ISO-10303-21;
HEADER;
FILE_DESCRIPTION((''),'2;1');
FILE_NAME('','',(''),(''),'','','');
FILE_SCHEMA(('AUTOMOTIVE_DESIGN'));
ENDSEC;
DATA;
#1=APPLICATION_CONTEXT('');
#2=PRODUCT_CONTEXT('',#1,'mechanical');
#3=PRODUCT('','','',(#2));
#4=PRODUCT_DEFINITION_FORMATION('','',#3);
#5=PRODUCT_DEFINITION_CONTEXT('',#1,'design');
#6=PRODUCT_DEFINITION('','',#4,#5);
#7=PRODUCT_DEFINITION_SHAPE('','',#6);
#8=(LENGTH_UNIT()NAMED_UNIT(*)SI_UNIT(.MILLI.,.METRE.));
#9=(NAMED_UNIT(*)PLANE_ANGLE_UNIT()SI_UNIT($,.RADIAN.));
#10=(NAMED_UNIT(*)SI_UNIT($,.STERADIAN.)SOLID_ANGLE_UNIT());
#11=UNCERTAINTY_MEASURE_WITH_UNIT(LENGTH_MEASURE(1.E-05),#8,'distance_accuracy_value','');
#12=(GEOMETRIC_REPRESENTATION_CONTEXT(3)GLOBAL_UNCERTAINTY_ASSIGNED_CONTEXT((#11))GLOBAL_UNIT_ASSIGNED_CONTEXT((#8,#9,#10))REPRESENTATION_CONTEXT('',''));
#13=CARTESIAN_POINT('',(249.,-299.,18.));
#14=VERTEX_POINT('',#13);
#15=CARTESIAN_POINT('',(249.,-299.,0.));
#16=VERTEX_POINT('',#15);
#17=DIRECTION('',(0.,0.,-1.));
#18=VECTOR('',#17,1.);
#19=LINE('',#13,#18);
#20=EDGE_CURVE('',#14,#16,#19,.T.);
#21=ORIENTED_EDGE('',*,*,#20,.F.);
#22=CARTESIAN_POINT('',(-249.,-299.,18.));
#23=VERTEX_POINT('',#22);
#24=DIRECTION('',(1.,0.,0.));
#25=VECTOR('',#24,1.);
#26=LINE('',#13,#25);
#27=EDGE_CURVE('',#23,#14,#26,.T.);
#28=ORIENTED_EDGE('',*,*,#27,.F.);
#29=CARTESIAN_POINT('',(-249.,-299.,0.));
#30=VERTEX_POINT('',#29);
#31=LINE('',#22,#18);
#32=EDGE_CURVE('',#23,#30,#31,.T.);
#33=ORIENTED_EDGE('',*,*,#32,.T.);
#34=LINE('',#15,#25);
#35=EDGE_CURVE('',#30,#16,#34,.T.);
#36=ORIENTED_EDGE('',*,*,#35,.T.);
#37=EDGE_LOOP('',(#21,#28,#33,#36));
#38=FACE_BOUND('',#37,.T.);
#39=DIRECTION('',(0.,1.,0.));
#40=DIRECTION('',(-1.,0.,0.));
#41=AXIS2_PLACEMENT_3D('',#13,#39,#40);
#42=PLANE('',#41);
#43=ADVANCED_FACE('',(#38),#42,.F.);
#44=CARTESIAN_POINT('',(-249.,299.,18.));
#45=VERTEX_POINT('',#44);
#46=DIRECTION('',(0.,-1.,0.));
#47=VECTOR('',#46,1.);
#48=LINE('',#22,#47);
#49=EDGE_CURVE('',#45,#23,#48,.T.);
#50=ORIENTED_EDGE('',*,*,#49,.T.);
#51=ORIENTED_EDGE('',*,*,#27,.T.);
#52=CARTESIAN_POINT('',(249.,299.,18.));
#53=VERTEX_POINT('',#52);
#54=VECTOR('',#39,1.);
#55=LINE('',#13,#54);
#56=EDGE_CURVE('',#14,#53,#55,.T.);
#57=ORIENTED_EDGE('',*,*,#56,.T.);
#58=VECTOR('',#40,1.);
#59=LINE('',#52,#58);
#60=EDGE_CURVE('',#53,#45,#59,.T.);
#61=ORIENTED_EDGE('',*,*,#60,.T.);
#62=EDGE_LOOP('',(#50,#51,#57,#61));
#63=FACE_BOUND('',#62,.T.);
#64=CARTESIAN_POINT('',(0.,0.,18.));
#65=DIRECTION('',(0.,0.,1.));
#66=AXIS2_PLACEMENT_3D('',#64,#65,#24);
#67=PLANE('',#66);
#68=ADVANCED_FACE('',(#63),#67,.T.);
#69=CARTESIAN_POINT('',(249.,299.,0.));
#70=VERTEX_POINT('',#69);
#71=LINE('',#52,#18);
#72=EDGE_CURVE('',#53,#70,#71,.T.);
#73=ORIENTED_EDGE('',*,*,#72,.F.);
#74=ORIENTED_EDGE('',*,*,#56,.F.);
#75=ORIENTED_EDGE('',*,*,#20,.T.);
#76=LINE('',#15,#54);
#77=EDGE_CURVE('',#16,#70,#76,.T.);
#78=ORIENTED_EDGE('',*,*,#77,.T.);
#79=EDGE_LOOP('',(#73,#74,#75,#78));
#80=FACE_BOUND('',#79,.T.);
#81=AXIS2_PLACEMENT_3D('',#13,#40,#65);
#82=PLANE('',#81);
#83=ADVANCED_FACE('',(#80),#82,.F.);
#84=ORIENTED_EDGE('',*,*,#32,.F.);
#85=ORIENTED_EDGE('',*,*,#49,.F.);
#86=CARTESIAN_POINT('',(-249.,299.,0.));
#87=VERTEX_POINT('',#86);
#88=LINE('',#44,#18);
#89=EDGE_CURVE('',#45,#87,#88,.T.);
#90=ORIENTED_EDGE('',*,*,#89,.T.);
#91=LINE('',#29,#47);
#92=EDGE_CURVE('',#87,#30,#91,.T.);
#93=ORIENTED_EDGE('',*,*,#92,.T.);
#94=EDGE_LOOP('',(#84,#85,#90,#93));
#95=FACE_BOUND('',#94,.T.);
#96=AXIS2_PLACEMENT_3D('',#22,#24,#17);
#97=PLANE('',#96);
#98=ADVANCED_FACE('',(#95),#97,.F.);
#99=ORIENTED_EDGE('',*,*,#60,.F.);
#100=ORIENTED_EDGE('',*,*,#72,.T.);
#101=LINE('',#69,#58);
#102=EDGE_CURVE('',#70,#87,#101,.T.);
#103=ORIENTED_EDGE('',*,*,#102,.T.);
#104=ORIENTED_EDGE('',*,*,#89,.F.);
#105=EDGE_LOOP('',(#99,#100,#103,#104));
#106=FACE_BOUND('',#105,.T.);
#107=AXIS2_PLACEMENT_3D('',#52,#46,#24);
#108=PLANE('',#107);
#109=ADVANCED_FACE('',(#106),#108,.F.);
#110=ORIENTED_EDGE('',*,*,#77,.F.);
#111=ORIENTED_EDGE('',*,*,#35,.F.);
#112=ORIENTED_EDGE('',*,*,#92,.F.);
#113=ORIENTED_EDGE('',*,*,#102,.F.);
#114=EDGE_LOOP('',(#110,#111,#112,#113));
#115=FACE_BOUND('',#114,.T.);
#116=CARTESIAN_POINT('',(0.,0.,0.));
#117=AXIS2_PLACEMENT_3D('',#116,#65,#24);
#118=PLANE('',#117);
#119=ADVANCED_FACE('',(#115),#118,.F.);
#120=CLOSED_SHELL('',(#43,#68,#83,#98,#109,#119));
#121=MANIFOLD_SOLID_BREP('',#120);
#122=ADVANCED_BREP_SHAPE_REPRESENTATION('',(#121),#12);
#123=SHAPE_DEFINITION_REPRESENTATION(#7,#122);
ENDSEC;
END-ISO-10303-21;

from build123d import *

# Parameters (mm, degrees)
SKETCH1_W           = 498
SKETCH1_H           = 598
BOSS_EXTRUDE1_DEPTH = 18


with BuildPart() as part:
    # Sketch1 → Boss-Extrude1 (new body)
    with BuildSketch(Plane.XY):
        Rectangle(SKETCH1_W, SKETCH1_H)
    extrude(amount=BOSS_EXTRUDE1_DEPTH)


solid = part.part
